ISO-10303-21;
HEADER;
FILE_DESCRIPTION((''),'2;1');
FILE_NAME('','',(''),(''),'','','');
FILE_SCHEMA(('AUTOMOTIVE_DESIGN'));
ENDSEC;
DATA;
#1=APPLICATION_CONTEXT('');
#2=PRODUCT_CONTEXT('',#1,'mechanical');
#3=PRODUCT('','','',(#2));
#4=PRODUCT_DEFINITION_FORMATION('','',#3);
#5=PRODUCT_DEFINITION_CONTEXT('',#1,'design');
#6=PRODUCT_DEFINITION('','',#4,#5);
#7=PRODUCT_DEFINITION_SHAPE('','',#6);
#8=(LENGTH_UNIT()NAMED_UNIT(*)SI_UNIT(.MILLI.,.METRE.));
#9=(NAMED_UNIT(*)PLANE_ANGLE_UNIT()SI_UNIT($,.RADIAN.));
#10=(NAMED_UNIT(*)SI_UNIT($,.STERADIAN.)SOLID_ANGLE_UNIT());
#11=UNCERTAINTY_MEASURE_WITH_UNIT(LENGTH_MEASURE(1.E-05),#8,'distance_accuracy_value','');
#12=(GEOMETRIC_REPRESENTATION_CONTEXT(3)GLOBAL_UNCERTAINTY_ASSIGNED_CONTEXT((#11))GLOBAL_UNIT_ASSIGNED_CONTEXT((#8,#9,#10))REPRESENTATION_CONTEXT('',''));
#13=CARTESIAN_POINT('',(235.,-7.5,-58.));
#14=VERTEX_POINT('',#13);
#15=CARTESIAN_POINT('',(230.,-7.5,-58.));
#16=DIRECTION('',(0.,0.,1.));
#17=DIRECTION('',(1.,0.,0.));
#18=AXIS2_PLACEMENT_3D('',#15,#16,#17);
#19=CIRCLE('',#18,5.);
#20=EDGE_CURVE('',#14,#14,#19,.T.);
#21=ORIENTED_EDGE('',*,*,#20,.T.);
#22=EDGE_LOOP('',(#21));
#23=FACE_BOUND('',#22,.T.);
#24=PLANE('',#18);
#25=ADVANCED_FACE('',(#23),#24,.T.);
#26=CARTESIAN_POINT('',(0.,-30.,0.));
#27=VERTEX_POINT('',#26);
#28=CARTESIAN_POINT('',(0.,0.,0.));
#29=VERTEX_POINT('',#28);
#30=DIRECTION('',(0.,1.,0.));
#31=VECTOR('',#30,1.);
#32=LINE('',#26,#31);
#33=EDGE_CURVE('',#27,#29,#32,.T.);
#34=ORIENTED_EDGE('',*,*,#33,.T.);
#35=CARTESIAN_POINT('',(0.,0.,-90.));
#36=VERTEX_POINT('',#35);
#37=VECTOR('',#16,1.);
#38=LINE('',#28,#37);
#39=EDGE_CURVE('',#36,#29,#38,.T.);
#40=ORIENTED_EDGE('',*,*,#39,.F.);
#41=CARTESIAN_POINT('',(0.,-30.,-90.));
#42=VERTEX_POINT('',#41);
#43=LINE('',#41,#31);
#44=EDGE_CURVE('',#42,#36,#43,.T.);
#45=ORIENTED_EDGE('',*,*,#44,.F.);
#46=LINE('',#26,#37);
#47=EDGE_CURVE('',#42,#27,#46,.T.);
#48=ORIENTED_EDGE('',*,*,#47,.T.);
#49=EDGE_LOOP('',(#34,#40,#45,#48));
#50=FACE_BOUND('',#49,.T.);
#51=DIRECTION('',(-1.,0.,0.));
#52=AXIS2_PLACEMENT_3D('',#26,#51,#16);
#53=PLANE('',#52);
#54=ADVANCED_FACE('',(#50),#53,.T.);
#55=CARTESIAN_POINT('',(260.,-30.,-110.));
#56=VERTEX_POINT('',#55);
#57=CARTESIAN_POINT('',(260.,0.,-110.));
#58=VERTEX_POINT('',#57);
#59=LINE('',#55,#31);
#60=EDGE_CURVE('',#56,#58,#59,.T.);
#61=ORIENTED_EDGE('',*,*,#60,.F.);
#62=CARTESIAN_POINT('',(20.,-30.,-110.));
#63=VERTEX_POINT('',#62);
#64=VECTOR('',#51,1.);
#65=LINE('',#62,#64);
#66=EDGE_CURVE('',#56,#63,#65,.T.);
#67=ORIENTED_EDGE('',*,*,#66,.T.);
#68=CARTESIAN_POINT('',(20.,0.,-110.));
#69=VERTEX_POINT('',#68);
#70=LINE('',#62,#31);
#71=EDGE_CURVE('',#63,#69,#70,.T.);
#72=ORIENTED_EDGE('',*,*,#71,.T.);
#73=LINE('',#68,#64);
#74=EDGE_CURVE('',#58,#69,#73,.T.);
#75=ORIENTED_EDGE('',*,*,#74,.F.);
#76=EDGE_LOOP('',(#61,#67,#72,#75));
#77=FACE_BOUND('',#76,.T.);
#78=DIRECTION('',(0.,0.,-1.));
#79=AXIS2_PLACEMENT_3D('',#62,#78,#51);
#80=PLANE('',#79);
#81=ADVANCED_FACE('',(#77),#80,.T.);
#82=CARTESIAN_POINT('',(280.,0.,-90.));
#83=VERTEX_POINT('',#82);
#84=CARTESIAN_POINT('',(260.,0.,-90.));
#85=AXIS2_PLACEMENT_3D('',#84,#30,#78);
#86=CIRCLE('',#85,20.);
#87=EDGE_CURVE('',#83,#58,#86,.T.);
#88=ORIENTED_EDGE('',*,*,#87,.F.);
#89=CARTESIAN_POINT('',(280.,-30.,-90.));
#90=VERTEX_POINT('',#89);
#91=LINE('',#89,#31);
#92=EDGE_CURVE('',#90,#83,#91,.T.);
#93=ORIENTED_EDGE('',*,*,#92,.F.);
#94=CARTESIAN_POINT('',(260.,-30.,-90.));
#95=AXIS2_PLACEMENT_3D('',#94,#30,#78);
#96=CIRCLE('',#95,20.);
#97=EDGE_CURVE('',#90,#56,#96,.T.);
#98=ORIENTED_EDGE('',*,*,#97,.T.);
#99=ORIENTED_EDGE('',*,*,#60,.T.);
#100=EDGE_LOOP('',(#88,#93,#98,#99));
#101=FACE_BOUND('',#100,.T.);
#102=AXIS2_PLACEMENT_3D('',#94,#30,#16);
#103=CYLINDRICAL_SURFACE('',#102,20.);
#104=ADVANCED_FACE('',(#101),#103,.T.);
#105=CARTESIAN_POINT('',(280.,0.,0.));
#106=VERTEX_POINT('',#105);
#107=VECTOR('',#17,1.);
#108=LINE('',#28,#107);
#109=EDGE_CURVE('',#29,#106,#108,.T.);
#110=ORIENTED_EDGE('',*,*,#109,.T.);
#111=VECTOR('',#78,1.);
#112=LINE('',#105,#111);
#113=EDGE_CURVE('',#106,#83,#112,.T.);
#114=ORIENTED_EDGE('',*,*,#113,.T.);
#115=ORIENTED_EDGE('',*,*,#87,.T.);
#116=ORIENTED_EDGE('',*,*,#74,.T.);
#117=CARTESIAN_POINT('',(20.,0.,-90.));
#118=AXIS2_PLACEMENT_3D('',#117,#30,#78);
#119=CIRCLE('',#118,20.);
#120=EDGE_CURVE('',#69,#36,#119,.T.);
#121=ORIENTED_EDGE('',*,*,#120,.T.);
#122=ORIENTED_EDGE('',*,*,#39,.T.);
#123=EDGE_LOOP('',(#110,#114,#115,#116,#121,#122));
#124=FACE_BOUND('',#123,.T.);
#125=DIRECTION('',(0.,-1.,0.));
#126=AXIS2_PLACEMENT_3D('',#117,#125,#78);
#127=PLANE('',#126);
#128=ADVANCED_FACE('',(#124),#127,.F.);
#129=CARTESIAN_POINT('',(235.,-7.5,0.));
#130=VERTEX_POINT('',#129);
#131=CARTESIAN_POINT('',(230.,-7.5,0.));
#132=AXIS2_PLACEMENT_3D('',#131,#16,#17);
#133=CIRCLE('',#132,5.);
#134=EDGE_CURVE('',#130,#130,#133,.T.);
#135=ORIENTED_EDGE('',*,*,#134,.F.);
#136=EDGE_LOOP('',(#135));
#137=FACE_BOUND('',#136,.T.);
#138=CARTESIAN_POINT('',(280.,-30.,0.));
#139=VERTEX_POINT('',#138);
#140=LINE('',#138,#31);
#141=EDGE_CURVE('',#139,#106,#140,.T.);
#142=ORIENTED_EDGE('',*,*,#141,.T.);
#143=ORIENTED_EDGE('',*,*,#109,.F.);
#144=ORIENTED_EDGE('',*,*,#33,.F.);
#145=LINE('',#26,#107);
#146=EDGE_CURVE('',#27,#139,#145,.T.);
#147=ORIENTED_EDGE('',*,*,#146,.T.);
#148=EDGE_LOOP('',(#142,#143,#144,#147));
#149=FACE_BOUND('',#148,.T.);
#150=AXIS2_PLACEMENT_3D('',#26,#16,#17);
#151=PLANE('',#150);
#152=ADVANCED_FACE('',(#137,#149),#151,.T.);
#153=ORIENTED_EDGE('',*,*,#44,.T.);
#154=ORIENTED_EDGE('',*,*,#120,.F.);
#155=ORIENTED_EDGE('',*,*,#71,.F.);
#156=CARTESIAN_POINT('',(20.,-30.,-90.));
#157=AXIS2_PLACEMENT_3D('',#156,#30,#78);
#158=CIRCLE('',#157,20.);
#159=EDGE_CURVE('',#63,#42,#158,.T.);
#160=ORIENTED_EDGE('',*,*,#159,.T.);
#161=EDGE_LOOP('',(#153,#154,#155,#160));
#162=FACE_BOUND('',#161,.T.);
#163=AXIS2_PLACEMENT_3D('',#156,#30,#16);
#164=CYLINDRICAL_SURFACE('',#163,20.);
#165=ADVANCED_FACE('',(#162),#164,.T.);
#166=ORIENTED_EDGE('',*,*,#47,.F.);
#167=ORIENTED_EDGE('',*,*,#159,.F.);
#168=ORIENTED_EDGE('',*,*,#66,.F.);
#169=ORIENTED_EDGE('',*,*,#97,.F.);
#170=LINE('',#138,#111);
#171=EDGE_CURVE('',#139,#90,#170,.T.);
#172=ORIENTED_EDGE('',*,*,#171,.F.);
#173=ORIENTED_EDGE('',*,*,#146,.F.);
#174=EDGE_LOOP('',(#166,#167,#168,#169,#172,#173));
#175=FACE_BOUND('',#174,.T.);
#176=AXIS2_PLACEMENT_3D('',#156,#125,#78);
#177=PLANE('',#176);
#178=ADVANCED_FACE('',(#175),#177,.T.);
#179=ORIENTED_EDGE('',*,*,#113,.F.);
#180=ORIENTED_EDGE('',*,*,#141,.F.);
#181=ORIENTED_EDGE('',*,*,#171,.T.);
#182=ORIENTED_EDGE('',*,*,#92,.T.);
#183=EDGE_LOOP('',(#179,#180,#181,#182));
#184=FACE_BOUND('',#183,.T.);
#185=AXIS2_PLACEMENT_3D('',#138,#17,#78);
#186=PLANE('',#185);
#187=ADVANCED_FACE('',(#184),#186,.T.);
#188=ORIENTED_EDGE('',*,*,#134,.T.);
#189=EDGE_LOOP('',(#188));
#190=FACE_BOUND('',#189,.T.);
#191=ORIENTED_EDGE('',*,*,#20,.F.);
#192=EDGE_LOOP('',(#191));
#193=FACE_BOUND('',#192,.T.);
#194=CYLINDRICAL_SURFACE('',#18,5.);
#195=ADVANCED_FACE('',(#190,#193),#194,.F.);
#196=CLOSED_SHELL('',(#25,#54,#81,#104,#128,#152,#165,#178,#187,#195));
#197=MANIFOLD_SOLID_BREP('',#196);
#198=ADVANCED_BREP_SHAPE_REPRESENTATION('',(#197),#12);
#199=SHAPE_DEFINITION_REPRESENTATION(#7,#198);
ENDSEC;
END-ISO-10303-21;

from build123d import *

# Parameters (mm, degrees)
BOSS_EXTRU_1_DEPTH      = 30
ESQUISSE2_R             = 5
ENL_V_MAT_EXTRU_1_DEPTH = 58


with BuildPart() as part:
    # Esquisse1 → Boss.-Extru.1 (new body)
    with BuildSketch(Plane(origin=(0, 0, 0), x_dir=(1, 0, 0), z_dir=(0, 1, 0))):
        with BuildLine():
            Line((0, 0), (280, 0))
            Line((280, 0), (280, 90))
            ThreePointArc((280, 90), (274.142135624, 104.142135624), (260, 110))
            Line((260, 110), (20, 110))
            ThreePointArc((20, 110), (5.857864376, 104.142135624), (0, 90))
            Line((0, 90), (0, 0))
        make_face()
    extrude(amount=-BOSS_EXTRU_1_DEPTH)

    # Esquisse2 → Enlèv. mat.-Extru.1 (cut)
    with BuildSketch(Plane.XY):
        with Locations((230, -7.5)):
            Circle(ESQUISSE2_R)
    extrude(amount=-ENL_V_MAT_EXTRU_1_DEPTH, mode=Mode.SUBTRACT)


solid = part.part
